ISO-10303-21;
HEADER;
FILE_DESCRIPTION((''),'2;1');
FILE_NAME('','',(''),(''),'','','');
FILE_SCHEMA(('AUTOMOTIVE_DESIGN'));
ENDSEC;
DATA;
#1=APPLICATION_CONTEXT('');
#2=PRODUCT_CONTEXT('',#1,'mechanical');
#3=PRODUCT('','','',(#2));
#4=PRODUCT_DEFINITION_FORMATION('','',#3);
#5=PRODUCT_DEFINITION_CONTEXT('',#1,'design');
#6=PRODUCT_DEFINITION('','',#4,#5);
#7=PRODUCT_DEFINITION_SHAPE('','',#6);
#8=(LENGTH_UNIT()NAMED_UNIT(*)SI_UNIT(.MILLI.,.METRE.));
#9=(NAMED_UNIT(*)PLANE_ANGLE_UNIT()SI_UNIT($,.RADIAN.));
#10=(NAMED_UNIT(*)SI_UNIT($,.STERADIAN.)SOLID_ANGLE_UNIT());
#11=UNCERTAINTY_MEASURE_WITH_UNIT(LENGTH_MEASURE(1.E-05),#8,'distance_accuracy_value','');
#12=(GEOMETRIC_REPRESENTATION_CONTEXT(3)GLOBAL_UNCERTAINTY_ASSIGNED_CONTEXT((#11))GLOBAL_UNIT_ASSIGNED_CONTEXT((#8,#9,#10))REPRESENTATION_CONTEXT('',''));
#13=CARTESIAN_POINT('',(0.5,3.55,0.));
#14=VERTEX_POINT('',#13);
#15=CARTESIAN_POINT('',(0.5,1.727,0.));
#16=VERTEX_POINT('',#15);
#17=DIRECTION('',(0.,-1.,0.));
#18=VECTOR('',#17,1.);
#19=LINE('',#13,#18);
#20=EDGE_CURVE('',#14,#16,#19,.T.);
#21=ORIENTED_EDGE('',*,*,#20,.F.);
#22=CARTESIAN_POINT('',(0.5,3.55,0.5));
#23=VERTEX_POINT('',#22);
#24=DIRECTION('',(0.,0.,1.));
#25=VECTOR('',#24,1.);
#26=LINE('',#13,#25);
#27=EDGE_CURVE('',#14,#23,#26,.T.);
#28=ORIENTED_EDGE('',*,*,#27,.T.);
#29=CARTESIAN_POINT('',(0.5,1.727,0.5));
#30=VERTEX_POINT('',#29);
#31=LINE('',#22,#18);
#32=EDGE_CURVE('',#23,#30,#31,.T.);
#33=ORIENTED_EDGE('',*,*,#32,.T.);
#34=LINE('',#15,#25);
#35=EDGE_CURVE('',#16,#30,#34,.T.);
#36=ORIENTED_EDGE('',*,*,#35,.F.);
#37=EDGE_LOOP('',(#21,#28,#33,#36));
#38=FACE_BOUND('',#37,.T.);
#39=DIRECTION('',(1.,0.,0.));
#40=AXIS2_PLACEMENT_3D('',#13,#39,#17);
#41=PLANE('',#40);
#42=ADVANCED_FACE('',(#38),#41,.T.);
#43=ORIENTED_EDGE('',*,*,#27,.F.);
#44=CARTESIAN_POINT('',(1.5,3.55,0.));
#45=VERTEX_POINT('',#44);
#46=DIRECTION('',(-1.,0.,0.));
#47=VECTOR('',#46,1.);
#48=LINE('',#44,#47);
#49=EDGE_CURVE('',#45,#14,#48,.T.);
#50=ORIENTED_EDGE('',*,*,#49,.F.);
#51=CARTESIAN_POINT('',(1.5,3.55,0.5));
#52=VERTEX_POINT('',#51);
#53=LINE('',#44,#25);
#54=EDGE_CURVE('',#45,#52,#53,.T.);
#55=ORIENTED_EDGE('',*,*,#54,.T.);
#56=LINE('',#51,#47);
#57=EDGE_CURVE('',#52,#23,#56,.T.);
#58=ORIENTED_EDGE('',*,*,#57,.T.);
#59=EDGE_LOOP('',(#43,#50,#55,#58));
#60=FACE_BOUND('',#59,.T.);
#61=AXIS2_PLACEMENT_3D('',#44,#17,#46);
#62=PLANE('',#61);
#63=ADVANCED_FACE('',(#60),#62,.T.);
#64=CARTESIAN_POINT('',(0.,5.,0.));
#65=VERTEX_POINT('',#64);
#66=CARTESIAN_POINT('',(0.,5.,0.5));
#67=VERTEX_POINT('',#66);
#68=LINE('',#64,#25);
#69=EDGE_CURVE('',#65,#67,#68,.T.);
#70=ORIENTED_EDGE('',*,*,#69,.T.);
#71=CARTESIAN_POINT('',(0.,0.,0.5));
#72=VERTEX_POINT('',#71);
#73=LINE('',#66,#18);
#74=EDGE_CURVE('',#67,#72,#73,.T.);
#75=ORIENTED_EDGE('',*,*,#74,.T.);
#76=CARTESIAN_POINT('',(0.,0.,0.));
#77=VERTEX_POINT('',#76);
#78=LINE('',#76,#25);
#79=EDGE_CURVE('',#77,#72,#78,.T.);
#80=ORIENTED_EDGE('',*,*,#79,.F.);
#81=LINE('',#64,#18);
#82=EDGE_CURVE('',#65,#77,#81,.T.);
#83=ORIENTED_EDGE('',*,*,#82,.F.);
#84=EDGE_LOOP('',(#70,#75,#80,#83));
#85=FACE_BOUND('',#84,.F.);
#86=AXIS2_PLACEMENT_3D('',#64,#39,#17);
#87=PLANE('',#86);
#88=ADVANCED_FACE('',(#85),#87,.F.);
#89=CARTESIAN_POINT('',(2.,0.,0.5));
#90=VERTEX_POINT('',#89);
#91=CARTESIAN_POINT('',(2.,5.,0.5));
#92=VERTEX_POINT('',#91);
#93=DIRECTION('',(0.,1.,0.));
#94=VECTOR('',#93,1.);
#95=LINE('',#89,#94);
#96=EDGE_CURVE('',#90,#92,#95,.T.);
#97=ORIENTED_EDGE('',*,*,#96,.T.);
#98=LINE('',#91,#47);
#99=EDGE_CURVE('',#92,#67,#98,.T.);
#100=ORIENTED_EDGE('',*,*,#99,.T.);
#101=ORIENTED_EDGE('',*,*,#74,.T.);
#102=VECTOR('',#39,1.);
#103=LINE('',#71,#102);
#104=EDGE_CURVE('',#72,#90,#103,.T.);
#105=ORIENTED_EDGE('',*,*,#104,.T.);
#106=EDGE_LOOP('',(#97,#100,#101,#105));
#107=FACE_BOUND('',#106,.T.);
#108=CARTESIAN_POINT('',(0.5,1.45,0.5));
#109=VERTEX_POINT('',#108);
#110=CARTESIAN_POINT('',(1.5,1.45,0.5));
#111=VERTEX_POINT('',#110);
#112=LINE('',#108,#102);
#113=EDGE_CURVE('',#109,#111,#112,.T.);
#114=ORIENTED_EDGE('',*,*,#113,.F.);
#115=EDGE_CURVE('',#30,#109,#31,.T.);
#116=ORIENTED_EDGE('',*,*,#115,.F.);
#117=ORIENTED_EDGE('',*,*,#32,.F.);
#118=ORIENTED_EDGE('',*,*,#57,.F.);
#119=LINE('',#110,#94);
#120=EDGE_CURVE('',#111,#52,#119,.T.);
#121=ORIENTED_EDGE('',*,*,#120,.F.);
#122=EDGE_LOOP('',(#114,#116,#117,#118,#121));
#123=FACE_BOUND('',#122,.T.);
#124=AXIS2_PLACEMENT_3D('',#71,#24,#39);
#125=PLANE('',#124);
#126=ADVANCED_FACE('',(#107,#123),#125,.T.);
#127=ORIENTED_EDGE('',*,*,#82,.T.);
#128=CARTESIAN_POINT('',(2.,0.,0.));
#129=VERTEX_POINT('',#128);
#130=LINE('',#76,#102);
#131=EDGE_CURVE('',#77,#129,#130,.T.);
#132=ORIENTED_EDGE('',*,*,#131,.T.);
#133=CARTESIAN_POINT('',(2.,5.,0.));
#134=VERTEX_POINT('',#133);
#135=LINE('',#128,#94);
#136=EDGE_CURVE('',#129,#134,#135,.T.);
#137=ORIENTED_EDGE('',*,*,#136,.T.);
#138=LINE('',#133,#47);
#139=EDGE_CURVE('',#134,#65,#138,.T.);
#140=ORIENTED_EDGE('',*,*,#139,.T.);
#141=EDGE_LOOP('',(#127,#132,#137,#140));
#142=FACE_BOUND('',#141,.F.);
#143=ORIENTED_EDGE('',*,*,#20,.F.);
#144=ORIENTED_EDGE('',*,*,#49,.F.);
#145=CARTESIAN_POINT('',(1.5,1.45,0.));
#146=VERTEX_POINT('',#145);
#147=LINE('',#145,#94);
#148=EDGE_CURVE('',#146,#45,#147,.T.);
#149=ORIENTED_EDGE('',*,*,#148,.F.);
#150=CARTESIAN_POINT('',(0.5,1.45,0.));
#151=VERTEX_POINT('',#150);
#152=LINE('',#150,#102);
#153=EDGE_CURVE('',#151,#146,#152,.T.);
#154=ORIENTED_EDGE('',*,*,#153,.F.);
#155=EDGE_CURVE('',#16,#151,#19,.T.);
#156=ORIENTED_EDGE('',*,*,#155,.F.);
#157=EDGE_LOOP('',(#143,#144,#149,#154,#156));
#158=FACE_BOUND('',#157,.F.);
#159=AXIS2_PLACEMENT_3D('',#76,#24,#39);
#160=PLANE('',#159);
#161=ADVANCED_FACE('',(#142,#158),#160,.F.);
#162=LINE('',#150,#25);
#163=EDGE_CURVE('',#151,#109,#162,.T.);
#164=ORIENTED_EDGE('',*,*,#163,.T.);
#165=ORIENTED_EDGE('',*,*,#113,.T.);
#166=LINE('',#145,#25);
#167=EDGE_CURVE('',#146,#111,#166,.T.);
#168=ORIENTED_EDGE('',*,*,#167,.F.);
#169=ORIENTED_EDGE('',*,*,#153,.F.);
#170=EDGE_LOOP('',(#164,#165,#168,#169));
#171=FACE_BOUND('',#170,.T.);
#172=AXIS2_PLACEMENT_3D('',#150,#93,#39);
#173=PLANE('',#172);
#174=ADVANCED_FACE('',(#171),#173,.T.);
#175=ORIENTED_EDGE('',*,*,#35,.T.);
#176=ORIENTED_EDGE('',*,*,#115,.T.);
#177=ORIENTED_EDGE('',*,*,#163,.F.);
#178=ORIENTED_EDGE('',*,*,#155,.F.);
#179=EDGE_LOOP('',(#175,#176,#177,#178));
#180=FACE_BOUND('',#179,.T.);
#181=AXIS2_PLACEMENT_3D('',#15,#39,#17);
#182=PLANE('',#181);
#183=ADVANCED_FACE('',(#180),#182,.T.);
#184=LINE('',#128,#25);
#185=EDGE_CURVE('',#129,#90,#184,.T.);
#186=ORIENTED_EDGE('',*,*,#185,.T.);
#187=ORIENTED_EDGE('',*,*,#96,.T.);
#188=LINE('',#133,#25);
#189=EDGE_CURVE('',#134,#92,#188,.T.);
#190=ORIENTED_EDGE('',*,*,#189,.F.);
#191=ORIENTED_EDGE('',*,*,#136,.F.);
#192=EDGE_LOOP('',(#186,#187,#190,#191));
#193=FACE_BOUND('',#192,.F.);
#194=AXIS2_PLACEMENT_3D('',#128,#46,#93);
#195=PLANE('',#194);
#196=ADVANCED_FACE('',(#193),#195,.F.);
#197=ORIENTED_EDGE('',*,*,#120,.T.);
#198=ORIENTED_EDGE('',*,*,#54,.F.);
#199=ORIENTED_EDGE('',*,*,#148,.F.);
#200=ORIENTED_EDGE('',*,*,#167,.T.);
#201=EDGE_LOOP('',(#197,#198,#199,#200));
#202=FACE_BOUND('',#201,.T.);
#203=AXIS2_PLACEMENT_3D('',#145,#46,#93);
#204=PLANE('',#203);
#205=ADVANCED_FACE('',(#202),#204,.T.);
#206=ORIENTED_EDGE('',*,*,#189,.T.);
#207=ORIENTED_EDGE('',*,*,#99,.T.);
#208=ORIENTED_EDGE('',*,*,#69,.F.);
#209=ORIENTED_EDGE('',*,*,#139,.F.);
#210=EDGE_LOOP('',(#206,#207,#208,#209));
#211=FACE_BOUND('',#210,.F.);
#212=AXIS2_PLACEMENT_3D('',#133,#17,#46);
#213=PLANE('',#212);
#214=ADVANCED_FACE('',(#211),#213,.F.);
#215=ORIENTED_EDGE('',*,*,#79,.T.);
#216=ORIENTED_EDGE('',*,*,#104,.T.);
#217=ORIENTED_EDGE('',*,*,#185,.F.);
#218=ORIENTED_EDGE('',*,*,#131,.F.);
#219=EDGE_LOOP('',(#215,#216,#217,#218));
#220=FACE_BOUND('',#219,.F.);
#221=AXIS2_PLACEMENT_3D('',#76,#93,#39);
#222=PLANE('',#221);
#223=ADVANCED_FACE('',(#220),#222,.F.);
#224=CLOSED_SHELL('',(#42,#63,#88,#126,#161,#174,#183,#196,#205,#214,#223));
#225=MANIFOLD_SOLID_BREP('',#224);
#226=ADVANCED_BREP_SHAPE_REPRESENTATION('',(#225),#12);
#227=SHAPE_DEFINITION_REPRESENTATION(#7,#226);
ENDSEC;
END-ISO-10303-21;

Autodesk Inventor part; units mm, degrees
ref_plane "YZ Plane" through (0, 0, 0) normal (1, 0, 0) x (0, 1, 0)
ref_plane "XZ Plane" through (0, 0, 0) normal (0, 1, 0) x (-1, 0, 0)
ref_plane "XY Plane" through (0, 0, 0) normal (0, 0, 1) x (1, 0, 0)
sketch "Boceto1" plane through (0, 0, 0) normal (0, 0, 1) x (1, 0, 0)
  line L0 (0, 0) -> (2, 0)
  line L1 (2, 0) -> (2, 5)
  line L2 (2, 5) -> (0, 5)
  line L3 (0, 5) -> (0, 0)
  line L4 (0.5, 1.45) -> (1.5, 1.45)
  line L5 (1.5, 1.45) -> (1.5, 3.55)
  line L6 (1.5, 3.55) -> (0.5, 3.55)
  line L7 (0.5, 3.55) -> (0.5, 1.45)
  line L8 (0.5, 1.727) -> (0.5, 1.45)
  dimension "d0" = 2
  dimension "d1" = 5
  dimension "d2" = 1
  dimension "d3" = 2.1
  dimension "d5" = 1.45
  dimension "d6" = 0.5
extrude "Extrusión1" add sketch "Boceto1" along normal blind 0.5
properties part number "placa de amarre"
